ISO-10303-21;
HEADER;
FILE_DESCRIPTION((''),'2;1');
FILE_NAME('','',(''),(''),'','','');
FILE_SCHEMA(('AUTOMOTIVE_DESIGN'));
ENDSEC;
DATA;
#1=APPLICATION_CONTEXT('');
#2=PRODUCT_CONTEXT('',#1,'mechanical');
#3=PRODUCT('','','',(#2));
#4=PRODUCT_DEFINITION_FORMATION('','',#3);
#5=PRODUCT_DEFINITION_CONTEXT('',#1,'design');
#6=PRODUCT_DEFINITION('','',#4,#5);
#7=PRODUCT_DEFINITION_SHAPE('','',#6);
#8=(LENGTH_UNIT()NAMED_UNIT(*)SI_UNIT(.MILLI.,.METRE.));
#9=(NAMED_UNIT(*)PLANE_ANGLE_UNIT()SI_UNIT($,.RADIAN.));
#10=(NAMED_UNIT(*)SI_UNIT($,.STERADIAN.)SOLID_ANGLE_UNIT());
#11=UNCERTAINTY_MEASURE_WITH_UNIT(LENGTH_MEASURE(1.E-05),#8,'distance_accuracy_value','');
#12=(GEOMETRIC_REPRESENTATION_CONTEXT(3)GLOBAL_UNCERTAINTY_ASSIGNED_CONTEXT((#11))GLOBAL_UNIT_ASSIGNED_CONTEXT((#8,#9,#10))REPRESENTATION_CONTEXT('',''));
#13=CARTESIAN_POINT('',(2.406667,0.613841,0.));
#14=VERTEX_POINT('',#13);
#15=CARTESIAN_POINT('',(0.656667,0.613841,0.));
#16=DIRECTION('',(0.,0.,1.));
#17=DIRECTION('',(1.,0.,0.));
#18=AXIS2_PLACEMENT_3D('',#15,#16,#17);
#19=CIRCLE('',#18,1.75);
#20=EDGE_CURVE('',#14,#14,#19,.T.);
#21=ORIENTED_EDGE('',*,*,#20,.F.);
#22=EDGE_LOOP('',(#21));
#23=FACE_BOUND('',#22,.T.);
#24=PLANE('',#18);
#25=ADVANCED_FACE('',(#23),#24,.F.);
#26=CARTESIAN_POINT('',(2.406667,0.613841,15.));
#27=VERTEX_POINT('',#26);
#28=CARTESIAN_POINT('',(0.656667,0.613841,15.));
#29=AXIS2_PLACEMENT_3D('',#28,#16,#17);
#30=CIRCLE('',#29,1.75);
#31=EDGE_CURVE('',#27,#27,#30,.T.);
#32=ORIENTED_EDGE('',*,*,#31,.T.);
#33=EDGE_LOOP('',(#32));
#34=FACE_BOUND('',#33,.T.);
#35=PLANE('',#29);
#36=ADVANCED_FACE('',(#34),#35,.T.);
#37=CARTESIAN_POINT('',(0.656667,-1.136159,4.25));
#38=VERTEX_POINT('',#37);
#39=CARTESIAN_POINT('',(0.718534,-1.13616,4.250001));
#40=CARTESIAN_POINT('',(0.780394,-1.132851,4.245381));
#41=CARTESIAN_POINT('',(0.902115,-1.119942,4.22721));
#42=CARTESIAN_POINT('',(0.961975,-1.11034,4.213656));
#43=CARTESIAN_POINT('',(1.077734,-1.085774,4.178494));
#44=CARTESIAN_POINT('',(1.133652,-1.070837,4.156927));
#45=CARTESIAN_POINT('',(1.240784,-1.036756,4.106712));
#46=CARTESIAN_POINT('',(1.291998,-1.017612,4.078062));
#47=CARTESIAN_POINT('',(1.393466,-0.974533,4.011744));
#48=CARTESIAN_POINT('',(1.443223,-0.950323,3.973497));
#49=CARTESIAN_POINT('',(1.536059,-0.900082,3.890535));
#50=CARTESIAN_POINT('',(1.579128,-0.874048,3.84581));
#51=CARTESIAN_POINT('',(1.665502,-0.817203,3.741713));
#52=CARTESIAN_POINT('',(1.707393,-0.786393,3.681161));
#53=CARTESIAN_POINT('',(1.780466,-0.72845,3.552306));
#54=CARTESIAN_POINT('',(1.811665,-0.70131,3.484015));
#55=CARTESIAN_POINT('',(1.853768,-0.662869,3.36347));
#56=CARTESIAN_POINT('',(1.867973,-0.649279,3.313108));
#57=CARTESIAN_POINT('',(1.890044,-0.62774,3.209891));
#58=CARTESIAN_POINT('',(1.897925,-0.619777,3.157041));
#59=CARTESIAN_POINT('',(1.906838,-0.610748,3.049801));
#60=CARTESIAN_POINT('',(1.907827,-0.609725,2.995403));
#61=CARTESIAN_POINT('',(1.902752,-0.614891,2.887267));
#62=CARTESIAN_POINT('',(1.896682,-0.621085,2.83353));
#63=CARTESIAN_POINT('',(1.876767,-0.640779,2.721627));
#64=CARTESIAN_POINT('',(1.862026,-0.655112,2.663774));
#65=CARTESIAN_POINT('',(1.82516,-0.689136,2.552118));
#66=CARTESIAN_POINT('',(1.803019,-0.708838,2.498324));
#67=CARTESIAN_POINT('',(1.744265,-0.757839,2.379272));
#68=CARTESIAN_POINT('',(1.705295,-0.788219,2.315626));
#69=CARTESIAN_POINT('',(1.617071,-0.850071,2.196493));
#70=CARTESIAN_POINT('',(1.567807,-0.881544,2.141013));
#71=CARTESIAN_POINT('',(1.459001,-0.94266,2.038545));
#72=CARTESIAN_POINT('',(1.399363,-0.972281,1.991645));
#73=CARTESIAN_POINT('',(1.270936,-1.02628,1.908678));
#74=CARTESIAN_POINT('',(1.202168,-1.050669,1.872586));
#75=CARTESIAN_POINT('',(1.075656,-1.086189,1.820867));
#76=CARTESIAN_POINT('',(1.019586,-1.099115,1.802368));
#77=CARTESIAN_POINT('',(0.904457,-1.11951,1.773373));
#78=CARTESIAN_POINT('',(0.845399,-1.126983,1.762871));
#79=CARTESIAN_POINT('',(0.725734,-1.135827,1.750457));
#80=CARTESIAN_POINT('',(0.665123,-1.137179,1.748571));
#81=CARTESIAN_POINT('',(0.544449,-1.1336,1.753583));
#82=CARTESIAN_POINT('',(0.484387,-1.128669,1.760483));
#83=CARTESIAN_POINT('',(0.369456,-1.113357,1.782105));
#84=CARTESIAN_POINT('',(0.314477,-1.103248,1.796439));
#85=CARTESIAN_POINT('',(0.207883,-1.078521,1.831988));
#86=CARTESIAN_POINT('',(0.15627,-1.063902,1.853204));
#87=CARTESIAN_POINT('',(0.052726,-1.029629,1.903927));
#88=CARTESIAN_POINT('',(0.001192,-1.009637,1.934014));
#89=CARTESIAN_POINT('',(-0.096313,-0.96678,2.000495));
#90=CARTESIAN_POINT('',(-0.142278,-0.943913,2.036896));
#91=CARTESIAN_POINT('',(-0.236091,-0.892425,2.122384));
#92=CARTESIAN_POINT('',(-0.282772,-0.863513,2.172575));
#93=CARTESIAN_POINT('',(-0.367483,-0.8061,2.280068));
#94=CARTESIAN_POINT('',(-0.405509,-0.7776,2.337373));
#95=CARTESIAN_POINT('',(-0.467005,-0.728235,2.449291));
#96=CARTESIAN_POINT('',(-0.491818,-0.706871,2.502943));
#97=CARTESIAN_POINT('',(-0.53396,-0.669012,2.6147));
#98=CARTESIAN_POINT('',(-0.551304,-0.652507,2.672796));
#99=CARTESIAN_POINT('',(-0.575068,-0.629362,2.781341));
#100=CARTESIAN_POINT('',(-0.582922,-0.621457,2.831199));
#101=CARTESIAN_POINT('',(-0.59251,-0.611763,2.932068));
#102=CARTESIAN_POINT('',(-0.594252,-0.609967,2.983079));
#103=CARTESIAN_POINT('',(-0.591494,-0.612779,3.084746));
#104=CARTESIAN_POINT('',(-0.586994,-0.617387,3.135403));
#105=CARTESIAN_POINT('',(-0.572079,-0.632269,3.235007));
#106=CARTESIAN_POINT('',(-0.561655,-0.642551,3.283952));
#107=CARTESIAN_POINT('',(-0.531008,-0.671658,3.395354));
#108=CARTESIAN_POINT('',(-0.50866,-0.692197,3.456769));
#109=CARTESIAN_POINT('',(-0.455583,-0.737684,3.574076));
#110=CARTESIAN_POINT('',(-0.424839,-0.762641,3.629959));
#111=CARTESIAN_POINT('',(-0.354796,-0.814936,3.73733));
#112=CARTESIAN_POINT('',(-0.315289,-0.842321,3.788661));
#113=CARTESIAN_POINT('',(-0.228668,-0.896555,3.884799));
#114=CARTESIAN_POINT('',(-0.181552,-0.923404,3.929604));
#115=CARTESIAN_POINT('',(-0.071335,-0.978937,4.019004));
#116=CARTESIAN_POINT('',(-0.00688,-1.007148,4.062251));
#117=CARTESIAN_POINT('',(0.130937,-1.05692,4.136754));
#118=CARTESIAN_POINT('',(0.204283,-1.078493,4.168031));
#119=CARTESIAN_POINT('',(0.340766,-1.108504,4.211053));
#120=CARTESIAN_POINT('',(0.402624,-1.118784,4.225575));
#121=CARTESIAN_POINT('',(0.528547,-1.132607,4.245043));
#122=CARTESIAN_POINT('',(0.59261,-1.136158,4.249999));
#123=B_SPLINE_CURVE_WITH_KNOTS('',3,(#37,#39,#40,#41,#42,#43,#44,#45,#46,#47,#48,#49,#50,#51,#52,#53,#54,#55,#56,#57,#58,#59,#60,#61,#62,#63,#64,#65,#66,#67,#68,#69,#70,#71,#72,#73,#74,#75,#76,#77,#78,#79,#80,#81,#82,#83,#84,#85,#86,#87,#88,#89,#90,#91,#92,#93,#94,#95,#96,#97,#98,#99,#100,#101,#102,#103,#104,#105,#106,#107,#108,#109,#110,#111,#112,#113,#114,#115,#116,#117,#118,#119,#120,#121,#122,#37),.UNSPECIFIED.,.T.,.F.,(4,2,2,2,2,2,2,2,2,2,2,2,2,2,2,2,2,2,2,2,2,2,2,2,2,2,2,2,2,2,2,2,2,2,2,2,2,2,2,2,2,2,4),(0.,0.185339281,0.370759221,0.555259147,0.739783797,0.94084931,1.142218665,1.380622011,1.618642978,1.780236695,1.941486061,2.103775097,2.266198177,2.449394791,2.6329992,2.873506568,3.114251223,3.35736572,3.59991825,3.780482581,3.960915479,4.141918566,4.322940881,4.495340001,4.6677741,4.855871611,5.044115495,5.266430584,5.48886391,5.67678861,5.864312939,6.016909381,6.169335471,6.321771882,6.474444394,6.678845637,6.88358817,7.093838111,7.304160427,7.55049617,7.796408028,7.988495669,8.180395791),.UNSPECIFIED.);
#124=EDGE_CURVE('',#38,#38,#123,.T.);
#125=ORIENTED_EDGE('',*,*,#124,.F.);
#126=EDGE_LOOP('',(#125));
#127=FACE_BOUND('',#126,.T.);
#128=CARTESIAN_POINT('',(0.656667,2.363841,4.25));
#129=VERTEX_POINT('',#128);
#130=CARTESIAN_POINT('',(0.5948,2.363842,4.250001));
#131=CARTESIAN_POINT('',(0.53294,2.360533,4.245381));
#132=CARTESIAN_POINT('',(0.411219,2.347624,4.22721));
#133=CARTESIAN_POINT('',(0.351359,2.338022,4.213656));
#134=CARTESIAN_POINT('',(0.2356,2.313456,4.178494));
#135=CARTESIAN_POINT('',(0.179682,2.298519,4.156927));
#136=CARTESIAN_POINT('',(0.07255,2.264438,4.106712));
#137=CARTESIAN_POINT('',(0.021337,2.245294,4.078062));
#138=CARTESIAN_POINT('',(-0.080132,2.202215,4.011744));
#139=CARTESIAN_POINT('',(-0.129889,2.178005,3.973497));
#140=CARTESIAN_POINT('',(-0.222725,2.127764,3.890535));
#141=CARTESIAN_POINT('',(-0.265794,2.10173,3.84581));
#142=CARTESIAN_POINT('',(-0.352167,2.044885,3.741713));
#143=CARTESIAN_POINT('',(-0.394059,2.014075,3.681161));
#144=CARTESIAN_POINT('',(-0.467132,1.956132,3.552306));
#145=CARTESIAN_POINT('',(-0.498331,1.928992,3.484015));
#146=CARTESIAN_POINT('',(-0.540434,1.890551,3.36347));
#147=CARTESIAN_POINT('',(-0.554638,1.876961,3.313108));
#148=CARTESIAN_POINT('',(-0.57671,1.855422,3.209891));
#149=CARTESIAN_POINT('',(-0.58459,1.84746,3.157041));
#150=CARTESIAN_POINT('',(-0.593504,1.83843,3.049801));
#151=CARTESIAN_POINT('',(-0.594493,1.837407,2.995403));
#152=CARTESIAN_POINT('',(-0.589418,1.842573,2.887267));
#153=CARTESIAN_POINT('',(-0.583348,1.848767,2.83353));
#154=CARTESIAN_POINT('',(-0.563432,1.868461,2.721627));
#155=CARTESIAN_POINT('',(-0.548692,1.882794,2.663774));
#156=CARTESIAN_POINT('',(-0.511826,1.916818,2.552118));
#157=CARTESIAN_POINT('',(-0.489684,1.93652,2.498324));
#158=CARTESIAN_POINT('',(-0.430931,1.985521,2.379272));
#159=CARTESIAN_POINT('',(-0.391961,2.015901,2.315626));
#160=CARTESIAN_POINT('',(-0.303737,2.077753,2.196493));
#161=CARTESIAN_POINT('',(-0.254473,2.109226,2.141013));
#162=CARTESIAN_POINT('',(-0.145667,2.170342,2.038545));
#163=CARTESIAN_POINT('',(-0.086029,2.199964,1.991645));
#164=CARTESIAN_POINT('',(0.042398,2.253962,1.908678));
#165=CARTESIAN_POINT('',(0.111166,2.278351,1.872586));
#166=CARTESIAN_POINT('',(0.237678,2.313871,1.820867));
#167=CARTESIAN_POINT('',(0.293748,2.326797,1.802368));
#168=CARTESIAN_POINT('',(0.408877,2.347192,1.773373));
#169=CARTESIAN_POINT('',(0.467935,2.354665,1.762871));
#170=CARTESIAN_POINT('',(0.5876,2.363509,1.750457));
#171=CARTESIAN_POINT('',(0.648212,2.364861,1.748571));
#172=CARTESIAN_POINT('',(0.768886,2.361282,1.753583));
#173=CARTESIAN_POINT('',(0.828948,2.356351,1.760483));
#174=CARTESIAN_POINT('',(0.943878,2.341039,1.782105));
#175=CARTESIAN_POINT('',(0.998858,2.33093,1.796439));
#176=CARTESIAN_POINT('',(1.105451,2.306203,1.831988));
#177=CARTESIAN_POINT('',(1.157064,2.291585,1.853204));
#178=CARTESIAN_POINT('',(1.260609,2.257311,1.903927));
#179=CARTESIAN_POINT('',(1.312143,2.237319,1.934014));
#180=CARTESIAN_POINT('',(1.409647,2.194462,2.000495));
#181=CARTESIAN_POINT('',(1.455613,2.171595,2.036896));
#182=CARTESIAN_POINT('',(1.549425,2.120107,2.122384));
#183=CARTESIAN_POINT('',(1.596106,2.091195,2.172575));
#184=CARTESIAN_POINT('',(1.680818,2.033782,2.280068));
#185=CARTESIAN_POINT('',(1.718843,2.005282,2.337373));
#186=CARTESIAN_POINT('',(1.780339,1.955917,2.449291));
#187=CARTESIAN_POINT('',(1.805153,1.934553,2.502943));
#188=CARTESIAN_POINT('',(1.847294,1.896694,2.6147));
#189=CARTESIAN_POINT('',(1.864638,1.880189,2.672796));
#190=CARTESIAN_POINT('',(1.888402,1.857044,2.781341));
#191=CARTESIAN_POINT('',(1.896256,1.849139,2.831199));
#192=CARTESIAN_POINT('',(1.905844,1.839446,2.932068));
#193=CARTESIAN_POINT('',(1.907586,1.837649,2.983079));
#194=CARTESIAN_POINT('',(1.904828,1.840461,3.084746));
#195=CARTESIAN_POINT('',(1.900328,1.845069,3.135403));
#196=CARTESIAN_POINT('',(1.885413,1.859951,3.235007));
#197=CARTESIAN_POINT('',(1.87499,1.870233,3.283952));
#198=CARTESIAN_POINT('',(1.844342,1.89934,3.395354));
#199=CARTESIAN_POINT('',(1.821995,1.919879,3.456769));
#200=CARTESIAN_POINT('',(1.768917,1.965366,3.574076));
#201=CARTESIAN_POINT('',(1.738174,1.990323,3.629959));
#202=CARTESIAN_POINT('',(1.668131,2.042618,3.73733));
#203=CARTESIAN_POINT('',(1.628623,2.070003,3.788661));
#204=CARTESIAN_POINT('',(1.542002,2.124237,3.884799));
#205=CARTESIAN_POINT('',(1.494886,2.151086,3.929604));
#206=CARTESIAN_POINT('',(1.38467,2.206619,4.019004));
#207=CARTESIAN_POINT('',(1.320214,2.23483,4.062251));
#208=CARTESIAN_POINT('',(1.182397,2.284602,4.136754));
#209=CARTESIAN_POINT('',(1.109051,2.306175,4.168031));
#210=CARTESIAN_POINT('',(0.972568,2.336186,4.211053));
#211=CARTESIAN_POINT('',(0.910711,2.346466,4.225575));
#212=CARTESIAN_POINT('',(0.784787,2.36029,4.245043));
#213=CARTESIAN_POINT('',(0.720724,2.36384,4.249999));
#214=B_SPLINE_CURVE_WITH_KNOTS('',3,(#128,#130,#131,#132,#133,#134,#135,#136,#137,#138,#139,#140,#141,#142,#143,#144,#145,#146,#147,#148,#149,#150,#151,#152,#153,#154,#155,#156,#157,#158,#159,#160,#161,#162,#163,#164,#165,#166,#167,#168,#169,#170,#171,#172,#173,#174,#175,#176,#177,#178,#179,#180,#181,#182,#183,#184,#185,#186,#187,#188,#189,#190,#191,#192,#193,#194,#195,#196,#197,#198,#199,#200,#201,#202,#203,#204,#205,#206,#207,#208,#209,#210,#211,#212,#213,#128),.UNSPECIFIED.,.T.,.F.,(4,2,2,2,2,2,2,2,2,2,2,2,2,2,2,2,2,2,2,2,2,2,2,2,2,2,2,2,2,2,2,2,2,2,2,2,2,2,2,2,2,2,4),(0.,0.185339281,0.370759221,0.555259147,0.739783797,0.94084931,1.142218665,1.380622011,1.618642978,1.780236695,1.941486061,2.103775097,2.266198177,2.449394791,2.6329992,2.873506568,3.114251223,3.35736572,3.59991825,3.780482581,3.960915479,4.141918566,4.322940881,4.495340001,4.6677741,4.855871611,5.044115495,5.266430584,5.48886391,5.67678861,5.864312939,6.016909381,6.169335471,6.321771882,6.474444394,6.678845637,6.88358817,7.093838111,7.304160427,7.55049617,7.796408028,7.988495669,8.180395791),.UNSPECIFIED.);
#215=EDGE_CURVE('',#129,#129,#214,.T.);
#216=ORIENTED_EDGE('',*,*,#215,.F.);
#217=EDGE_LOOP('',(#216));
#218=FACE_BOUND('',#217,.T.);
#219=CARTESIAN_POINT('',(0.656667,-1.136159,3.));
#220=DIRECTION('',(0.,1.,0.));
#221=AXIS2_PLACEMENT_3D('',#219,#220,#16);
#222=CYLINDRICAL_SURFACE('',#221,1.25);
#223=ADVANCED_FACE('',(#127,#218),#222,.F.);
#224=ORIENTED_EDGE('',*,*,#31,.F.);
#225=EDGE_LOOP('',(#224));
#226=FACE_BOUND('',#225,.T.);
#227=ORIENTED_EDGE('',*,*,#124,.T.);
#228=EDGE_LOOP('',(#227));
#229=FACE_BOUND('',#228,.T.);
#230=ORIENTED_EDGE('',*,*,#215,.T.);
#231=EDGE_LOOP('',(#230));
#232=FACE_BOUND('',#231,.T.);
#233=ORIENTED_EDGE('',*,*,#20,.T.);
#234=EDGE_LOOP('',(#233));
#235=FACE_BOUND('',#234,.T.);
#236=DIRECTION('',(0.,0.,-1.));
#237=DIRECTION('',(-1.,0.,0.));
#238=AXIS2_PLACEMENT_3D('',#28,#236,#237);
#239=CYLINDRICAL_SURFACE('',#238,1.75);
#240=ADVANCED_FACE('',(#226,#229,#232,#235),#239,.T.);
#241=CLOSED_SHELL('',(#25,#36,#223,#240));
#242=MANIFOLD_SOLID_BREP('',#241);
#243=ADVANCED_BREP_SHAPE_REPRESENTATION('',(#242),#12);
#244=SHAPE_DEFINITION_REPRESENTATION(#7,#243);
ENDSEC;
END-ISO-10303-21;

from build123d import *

# Parameters (mm, degrees)
SKETCH1_R               = 1.75
BOSS_EXTRUDE1_DEPTH     = 15
SKETCH2_R               = 1.25
CUT_EXTRUDE1_DEPTH      = 3.363841026
CUT_EXTRUDE1_DEPTH_BACK = 2.136158974


with BuildPart() as part:
    # Sketch1 → Boss-Extrude1 (new body)
    with BuildSketch(Plane.XY):
        with Locations((0.656667144, 0.613841026)):
            Circle(SKETCH1_R)
    extrude(amount=BOSS_EXTRUDE1_DEPTH)

    # Sketch2 → Cut-Extrude1 (cut, two sides)
    with BuildSketch(Plane(origin=(0, 0, 0), x_dir=(1, 0, 0), z_dir=(0, 1, 0))) as cut_extrude1_sk:
        with Locations((0.656667144, -3)):
            Circle(SKETCH2_R)
    extrude(amount=CUT_EXTRUDE1_DEPTH, mode=Mode.SUBTRACT)
    extrude(cut_extrude1_sk.sketch, amount=-CUT_EXTRUDE1_DEPTH_BACK, mode=Mode.SUBTRACT)


solid = part.part
